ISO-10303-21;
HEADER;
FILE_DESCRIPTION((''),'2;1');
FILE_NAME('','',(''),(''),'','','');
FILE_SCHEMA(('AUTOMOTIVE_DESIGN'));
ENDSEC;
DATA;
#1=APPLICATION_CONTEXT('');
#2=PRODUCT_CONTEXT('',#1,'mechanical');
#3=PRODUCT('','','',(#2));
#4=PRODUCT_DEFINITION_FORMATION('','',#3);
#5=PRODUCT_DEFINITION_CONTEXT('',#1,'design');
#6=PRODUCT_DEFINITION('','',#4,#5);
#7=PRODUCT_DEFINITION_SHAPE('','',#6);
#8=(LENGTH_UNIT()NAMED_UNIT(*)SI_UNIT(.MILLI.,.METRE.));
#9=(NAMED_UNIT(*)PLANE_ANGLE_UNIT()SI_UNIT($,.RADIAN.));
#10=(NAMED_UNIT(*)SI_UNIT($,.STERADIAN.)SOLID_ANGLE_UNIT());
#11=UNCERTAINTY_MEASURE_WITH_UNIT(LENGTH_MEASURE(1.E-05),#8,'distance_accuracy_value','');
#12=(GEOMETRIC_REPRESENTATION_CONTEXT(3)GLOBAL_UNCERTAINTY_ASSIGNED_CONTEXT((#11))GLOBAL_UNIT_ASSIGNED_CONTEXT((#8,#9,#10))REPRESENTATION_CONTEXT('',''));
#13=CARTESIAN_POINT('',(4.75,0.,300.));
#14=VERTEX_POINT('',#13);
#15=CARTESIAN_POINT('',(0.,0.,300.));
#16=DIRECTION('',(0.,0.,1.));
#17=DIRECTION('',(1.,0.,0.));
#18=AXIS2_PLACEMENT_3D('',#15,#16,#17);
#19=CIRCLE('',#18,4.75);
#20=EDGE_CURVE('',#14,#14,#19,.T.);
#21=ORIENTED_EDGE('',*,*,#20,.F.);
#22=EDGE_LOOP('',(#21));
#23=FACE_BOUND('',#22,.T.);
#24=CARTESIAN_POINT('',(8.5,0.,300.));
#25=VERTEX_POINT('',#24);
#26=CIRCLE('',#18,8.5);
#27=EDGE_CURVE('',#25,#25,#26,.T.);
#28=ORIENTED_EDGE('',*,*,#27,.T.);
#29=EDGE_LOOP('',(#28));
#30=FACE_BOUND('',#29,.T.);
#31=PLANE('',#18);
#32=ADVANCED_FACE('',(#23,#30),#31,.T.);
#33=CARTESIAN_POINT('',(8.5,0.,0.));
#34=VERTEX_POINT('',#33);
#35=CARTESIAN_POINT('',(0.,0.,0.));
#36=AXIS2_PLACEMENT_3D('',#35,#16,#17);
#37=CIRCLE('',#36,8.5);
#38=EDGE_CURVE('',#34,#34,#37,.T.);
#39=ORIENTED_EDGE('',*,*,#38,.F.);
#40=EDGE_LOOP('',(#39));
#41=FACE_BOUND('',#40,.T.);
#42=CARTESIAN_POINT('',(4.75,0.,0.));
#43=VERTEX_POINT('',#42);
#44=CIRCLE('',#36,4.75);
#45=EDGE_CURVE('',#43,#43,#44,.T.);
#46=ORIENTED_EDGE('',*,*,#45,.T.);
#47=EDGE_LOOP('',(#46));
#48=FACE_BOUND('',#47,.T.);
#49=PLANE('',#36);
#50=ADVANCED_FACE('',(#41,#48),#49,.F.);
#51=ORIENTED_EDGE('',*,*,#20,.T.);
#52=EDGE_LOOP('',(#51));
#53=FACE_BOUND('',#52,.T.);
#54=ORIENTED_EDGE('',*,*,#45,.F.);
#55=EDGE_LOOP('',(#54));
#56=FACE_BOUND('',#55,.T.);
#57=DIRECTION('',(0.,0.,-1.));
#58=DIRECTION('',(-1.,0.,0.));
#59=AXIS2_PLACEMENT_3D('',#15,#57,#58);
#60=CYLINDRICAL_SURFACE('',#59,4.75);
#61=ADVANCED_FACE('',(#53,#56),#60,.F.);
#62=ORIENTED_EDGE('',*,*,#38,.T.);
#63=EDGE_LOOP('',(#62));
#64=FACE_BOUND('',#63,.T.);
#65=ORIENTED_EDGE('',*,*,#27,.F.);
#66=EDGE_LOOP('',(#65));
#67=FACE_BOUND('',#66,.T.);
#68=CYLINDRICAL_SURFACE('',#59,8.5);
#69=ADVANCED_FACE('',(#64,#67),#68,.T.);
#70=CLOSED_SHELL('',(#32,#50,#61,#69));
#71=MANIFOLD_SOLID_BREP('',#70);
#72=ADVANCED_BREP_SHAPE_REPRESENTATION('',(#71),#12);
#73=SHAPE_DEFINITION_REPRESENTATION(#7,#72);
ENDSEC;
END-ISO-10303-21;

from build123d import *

# Parameters (mm, degrees)
IZIM1_R                     = 8.5
IZIM1_R_2                   = 4.75
Y_KSEKLIK_EKSTR_ZYON1_DEPTH = 300


with BuildPart() as part:
    # Çizim1 → Yükseklik-Ekstrüzyon1 (new body)
    with BuildSketch(Plane.XY):
        Circle(IZIM1_R)
        Circle(IZIM1_R_2, mode=Mode.SUBTRACT)
    extrude(amount=Y_KSEKLIK_EKSTR_ZYON1_DEPTH)


solid = part.part
